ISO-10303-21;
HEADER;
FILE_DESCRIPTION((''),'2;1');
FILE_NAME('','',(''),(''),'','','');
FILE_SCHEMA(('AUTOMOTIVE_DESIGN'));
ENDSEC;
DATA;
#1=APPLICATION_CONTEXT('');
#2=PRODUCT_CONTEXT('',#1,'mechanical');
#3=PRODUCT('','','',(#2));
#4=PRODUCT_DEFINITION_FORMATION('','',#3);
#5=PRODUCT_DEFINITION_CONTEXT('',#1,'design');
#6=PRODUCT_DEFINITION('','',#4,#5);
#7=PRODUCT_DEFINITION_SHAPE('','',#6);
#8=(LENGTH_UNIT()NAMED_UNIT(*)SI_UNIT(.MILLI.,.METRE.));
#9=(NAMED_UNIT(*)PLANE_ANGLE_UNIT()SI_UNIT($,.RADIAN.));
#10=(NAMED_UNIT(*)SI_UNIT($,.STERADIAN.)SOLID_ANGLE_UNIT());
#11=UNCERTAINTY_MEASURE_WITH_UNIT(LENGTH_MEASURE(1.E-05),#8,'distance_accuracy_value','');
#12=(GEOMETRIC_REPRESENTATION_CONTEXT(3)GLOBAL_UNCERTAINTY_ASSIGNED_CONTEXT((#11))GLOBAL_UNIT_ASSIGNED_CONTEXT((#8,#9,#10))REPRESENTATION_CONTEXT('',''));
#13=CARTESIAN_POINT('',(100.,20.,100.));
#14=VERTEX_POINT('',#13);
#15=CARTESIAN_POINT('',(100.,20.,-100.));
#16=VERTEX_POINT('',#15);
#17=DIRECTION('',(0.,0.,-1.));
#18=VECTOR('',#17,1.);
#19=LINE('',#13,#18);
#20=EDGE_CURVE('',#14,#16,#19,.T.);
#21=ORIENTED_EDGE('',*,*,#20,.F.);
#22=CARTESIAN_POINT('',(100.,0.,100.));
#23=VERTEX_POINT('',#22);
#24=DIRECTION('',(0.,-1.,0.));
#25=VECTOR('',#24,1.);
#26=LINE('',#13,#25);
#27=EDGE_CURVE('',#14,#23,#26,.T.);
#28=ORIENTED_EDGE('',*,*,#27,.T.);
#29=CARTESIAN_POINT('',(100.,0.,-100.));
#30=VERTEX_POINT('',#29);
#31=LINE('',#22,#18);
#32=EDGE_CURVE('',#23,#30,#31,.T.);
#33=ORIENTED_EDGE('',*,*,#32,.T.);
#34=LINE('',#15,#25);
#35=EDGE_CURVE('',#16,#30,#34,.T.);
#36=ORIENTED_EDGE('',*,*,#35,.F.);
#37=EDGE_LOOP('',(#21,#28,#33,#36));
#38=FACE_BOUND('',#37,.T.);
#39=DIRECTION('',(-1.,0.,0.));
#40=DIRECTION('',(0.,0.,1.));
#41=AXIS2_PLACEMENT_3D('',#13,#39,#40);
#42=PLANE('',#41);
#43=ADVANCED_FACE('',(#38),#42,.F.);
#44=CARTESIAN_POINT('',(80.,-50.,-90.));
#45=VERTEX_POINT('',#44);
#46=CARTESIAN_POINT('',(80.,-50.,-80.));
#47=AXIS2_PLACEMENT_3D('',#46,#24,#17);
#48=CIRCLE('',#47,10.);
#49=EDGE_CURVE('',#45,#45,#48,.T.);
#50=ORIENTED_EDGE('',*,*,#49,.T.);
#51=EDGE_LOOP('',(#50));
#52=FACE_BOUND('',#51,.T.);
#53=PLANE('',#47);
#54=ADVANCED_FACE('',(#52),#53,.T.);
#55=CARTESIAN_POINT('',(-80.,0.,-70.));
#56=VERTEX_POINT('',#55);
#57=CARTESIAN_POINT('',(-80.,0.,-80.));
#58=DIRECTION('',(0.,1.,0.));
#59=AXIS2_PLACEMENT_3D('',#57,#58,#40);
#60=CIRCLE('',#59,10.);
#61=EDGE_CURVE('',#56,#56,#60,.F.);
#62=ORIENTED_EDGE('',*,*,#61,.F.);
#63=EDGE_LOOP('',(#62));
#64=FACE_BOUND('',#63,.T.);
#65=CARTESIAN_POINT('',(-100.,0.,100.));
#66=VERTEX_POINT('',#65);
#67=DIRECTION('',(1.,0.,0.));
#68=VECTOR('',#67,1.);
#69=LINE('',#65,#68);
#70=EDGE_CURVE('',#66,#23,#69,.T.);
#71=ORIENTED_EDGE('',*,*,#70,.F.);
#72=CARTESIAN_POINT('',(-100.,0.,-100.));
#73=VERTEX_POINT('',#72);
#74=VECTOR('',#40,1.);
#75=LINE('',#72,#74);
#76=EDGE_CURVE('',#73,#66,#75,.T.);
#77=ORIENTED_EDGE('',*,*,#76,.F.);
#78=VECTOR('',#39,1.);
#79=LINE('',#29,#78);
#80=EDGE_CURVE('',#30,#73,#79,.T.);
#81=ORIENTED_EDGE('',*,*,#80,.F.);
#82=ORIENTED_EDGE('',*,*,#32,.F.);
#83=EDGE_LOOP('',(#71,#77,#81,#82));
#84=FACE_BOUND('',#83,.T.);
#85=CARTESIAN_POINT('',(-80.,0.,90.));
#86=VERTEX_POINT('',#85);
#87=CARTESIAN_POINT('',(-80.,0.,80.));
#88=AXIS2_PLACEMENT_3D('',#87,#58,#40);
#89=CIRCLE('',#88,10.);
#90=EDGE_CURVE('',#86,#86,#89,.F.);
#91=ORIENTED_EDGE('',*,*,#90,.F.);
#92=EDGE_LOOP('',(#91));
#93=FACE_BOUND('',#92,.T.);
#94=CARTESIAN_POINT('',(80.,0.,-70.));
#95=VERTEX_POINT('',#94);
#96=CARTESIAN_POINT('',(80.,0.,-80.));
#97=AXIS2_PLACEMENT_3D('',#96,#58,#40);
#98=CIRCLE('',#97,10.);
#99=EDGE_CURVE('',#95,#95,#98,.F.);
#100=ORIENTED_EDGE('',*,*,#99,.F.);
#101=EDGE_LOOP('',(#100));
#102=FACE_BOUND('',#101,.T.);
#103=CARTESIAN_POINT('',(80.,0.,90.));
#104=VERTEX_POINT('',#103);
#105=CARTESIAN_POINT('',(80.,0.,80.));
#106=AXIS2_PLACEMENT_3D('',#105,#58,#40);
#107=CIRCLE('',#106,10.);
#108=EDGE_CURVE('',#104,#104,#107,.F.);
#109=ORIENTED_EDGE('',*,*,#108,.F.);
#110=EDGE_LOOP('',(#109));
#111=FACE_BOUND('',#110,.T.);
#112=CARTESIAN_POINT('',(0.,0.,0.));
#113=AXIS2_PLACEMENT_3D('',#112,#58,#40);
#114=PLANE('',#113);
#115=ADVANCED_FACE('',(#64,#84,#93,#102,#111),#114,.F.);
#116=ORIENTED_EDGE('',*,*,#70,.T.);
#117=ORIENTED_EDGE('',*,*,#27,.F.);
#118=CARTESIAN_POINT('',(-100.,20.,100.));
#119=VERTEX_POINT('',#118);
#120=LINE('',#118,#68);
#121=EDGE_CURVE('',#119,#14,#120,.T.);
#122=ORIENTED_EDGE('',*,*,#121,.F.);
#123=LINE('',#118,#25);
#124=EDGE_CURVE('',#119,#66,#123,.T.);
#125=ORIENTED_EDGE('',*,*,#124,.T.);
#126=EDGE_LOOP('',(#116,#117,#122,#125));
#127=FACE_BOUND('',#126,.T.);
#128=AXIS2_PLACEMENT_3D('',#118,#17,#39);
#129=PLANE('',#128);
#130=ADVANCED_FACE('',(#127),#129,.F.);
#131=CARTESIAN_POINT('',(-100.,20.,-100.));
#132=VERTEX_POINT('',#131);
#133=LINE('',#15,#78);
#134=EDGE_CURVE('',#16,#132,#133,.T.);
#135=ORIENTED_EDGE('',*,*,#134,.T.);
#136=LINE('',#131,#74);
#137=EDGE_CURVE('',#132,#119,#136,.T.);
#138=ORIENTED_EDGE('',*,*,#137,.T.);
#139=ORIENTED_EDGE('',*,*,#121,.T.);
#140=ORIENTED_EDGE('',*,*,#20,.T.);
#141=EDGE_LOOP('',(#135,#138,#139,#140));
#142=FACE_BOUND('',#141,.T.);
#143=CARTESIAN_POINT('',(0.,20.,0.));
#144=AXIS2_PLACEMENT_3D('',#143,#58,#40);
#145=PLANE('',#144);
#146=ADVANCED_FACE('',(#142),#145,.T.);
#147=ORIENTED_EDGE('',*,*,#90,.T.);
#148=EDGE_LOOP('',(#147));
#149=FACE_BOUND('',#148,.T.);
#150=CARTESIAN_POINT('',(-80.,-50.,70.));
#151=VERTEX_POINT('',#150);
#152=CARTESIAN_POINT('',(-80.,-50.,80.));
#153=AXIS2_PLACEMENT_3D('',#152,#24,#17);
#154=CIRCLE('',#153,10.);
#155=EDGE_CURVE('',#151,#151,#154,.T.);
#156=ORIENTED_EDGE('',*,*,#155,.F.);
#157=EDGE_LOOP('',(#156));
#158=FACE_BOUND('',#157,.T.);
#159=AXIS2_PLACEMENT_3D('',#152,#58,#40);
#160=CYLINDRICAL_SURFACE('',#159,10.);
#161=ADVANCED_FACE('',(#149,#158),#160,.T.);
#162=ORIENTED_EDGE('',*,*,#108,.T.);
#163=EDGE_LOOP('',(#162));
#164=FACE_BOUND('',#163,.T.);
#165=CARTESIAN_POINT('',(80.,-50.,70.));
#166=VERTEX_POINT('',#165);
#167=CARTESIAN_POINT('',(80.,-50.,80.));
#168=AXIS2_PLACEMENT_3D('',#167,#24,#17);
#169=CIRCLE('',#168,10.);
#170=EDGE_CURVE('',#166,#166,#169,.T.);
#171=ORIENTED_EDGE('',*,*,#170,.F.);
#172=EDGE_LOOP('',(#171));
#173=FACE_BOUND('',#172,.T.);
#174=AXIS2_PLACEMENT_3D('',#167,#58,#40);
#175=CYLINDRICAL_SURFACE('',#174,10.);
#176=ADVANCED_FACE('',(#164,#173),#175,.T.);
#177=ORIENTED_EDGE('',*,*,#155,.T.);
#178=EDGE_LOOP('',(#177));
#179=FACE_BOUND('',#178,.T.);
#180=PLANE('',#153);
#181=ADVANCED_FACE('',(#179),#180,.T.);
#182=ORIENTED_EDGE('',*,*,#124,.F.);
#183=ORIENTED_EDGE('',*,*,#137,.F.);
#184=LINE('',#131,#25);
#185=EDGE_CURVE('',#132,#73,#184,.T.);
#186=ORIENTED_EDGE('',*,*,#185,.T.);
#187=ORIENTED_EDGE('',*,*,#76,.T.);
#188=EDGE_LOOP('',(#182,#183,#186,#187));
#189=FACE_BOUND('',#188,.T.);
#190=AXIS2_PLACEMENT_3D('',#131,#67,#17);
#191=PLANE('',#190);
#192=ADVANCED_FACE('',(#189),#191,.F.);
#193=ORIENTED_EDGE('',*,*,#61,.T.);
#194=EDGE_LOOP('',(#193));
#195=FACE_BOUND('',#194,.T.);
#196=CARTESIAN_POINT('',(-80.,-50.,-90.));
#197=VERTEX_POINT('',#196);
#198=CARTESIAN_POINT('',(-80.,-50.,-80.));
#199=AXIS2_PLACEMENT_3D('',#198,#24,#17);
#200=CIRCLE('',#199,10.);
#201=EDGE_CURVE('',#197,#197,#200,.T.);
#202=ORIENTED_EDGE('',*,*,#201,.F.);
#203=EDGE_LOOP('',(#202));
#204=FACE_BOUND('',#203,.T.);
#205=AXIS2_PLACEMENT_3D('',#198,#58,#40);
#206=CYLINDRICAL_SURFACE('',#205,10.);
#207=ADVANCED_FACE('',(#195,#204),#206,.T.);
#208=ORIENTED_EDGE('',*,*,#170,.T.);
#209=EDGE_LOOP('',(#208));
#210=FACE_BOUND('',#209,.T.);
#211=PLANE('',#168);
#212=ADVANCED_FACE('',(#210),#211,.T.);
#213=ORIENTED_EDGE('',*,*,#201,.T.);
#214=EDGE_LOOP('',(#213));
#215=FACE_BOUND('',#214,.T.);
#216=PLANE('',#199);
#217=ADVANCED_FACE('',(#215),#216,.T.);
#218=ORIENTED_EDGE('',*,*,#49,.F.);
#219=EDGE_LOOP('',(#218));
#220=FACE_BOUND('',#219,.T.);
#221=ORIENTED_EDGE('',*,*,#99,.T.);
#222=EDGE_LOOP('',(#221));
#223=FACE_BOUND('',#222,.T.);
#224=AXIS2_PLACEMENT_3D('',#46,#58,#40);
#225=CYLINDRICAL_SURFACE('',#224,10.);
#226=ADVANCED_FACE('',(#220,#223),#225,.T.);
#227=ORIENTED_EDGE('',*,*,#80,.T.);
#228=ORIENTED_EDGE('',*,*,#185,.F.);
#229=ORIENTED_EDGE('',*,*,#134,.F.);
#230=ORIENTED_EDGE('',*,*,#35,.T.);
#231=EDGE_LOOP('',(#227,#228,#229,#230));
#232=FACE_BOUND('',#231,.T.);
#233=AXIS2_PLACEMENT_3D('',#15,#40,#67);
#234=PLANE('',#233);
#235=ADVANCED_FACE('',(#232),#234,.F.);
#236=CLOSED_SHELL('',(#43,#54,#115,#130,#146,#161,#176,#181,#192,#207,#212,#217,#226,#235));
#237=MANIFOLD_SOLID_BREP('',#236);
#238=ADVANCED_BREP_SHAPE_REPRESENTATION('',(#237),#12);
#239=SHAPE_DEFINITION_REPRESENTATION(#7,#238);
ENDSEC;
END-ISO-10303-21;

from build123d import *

# Parameters (mm, degrees)
SKETCH1_W           = 200
SKETCH1_H           = 200
BOSS_EXTRUDE1_DEPTH = 20
SKETCH2_R           = 10
BOSS_EXTRUDE2_DEPTH = 50


with BuildPart() as part:
    # Sketch1 → Boss-Extrude1 (new body)
    with BuildSketch(Plane(origin=(0, 0, 0), x_dir=(1, 0, 0), z_dir=(0, 1, 0))):
        Rectangle(SKETCH1_W, SKETCH1_H)
    extrude(amount=BOSS_EXTRUDE1_DEPTH)

    # Sketch2 → Boss-Extrude2 (add)
    with BuildSketch(Plane.XZ):
        with Locations((80, 80)):
            Circle(SKETCH2_R)
        with Locations((80, -80)):
            Circle(SKETCH2_R)
        with Locations((-80, -80)):
            Circle(SKETCH2_R)
        with Locations((-80, 80)):
            Circle(SKETCH2_R)
    extrude(amount=BOSS_EXTRUDE2_DEPTH)


solid = part.part
